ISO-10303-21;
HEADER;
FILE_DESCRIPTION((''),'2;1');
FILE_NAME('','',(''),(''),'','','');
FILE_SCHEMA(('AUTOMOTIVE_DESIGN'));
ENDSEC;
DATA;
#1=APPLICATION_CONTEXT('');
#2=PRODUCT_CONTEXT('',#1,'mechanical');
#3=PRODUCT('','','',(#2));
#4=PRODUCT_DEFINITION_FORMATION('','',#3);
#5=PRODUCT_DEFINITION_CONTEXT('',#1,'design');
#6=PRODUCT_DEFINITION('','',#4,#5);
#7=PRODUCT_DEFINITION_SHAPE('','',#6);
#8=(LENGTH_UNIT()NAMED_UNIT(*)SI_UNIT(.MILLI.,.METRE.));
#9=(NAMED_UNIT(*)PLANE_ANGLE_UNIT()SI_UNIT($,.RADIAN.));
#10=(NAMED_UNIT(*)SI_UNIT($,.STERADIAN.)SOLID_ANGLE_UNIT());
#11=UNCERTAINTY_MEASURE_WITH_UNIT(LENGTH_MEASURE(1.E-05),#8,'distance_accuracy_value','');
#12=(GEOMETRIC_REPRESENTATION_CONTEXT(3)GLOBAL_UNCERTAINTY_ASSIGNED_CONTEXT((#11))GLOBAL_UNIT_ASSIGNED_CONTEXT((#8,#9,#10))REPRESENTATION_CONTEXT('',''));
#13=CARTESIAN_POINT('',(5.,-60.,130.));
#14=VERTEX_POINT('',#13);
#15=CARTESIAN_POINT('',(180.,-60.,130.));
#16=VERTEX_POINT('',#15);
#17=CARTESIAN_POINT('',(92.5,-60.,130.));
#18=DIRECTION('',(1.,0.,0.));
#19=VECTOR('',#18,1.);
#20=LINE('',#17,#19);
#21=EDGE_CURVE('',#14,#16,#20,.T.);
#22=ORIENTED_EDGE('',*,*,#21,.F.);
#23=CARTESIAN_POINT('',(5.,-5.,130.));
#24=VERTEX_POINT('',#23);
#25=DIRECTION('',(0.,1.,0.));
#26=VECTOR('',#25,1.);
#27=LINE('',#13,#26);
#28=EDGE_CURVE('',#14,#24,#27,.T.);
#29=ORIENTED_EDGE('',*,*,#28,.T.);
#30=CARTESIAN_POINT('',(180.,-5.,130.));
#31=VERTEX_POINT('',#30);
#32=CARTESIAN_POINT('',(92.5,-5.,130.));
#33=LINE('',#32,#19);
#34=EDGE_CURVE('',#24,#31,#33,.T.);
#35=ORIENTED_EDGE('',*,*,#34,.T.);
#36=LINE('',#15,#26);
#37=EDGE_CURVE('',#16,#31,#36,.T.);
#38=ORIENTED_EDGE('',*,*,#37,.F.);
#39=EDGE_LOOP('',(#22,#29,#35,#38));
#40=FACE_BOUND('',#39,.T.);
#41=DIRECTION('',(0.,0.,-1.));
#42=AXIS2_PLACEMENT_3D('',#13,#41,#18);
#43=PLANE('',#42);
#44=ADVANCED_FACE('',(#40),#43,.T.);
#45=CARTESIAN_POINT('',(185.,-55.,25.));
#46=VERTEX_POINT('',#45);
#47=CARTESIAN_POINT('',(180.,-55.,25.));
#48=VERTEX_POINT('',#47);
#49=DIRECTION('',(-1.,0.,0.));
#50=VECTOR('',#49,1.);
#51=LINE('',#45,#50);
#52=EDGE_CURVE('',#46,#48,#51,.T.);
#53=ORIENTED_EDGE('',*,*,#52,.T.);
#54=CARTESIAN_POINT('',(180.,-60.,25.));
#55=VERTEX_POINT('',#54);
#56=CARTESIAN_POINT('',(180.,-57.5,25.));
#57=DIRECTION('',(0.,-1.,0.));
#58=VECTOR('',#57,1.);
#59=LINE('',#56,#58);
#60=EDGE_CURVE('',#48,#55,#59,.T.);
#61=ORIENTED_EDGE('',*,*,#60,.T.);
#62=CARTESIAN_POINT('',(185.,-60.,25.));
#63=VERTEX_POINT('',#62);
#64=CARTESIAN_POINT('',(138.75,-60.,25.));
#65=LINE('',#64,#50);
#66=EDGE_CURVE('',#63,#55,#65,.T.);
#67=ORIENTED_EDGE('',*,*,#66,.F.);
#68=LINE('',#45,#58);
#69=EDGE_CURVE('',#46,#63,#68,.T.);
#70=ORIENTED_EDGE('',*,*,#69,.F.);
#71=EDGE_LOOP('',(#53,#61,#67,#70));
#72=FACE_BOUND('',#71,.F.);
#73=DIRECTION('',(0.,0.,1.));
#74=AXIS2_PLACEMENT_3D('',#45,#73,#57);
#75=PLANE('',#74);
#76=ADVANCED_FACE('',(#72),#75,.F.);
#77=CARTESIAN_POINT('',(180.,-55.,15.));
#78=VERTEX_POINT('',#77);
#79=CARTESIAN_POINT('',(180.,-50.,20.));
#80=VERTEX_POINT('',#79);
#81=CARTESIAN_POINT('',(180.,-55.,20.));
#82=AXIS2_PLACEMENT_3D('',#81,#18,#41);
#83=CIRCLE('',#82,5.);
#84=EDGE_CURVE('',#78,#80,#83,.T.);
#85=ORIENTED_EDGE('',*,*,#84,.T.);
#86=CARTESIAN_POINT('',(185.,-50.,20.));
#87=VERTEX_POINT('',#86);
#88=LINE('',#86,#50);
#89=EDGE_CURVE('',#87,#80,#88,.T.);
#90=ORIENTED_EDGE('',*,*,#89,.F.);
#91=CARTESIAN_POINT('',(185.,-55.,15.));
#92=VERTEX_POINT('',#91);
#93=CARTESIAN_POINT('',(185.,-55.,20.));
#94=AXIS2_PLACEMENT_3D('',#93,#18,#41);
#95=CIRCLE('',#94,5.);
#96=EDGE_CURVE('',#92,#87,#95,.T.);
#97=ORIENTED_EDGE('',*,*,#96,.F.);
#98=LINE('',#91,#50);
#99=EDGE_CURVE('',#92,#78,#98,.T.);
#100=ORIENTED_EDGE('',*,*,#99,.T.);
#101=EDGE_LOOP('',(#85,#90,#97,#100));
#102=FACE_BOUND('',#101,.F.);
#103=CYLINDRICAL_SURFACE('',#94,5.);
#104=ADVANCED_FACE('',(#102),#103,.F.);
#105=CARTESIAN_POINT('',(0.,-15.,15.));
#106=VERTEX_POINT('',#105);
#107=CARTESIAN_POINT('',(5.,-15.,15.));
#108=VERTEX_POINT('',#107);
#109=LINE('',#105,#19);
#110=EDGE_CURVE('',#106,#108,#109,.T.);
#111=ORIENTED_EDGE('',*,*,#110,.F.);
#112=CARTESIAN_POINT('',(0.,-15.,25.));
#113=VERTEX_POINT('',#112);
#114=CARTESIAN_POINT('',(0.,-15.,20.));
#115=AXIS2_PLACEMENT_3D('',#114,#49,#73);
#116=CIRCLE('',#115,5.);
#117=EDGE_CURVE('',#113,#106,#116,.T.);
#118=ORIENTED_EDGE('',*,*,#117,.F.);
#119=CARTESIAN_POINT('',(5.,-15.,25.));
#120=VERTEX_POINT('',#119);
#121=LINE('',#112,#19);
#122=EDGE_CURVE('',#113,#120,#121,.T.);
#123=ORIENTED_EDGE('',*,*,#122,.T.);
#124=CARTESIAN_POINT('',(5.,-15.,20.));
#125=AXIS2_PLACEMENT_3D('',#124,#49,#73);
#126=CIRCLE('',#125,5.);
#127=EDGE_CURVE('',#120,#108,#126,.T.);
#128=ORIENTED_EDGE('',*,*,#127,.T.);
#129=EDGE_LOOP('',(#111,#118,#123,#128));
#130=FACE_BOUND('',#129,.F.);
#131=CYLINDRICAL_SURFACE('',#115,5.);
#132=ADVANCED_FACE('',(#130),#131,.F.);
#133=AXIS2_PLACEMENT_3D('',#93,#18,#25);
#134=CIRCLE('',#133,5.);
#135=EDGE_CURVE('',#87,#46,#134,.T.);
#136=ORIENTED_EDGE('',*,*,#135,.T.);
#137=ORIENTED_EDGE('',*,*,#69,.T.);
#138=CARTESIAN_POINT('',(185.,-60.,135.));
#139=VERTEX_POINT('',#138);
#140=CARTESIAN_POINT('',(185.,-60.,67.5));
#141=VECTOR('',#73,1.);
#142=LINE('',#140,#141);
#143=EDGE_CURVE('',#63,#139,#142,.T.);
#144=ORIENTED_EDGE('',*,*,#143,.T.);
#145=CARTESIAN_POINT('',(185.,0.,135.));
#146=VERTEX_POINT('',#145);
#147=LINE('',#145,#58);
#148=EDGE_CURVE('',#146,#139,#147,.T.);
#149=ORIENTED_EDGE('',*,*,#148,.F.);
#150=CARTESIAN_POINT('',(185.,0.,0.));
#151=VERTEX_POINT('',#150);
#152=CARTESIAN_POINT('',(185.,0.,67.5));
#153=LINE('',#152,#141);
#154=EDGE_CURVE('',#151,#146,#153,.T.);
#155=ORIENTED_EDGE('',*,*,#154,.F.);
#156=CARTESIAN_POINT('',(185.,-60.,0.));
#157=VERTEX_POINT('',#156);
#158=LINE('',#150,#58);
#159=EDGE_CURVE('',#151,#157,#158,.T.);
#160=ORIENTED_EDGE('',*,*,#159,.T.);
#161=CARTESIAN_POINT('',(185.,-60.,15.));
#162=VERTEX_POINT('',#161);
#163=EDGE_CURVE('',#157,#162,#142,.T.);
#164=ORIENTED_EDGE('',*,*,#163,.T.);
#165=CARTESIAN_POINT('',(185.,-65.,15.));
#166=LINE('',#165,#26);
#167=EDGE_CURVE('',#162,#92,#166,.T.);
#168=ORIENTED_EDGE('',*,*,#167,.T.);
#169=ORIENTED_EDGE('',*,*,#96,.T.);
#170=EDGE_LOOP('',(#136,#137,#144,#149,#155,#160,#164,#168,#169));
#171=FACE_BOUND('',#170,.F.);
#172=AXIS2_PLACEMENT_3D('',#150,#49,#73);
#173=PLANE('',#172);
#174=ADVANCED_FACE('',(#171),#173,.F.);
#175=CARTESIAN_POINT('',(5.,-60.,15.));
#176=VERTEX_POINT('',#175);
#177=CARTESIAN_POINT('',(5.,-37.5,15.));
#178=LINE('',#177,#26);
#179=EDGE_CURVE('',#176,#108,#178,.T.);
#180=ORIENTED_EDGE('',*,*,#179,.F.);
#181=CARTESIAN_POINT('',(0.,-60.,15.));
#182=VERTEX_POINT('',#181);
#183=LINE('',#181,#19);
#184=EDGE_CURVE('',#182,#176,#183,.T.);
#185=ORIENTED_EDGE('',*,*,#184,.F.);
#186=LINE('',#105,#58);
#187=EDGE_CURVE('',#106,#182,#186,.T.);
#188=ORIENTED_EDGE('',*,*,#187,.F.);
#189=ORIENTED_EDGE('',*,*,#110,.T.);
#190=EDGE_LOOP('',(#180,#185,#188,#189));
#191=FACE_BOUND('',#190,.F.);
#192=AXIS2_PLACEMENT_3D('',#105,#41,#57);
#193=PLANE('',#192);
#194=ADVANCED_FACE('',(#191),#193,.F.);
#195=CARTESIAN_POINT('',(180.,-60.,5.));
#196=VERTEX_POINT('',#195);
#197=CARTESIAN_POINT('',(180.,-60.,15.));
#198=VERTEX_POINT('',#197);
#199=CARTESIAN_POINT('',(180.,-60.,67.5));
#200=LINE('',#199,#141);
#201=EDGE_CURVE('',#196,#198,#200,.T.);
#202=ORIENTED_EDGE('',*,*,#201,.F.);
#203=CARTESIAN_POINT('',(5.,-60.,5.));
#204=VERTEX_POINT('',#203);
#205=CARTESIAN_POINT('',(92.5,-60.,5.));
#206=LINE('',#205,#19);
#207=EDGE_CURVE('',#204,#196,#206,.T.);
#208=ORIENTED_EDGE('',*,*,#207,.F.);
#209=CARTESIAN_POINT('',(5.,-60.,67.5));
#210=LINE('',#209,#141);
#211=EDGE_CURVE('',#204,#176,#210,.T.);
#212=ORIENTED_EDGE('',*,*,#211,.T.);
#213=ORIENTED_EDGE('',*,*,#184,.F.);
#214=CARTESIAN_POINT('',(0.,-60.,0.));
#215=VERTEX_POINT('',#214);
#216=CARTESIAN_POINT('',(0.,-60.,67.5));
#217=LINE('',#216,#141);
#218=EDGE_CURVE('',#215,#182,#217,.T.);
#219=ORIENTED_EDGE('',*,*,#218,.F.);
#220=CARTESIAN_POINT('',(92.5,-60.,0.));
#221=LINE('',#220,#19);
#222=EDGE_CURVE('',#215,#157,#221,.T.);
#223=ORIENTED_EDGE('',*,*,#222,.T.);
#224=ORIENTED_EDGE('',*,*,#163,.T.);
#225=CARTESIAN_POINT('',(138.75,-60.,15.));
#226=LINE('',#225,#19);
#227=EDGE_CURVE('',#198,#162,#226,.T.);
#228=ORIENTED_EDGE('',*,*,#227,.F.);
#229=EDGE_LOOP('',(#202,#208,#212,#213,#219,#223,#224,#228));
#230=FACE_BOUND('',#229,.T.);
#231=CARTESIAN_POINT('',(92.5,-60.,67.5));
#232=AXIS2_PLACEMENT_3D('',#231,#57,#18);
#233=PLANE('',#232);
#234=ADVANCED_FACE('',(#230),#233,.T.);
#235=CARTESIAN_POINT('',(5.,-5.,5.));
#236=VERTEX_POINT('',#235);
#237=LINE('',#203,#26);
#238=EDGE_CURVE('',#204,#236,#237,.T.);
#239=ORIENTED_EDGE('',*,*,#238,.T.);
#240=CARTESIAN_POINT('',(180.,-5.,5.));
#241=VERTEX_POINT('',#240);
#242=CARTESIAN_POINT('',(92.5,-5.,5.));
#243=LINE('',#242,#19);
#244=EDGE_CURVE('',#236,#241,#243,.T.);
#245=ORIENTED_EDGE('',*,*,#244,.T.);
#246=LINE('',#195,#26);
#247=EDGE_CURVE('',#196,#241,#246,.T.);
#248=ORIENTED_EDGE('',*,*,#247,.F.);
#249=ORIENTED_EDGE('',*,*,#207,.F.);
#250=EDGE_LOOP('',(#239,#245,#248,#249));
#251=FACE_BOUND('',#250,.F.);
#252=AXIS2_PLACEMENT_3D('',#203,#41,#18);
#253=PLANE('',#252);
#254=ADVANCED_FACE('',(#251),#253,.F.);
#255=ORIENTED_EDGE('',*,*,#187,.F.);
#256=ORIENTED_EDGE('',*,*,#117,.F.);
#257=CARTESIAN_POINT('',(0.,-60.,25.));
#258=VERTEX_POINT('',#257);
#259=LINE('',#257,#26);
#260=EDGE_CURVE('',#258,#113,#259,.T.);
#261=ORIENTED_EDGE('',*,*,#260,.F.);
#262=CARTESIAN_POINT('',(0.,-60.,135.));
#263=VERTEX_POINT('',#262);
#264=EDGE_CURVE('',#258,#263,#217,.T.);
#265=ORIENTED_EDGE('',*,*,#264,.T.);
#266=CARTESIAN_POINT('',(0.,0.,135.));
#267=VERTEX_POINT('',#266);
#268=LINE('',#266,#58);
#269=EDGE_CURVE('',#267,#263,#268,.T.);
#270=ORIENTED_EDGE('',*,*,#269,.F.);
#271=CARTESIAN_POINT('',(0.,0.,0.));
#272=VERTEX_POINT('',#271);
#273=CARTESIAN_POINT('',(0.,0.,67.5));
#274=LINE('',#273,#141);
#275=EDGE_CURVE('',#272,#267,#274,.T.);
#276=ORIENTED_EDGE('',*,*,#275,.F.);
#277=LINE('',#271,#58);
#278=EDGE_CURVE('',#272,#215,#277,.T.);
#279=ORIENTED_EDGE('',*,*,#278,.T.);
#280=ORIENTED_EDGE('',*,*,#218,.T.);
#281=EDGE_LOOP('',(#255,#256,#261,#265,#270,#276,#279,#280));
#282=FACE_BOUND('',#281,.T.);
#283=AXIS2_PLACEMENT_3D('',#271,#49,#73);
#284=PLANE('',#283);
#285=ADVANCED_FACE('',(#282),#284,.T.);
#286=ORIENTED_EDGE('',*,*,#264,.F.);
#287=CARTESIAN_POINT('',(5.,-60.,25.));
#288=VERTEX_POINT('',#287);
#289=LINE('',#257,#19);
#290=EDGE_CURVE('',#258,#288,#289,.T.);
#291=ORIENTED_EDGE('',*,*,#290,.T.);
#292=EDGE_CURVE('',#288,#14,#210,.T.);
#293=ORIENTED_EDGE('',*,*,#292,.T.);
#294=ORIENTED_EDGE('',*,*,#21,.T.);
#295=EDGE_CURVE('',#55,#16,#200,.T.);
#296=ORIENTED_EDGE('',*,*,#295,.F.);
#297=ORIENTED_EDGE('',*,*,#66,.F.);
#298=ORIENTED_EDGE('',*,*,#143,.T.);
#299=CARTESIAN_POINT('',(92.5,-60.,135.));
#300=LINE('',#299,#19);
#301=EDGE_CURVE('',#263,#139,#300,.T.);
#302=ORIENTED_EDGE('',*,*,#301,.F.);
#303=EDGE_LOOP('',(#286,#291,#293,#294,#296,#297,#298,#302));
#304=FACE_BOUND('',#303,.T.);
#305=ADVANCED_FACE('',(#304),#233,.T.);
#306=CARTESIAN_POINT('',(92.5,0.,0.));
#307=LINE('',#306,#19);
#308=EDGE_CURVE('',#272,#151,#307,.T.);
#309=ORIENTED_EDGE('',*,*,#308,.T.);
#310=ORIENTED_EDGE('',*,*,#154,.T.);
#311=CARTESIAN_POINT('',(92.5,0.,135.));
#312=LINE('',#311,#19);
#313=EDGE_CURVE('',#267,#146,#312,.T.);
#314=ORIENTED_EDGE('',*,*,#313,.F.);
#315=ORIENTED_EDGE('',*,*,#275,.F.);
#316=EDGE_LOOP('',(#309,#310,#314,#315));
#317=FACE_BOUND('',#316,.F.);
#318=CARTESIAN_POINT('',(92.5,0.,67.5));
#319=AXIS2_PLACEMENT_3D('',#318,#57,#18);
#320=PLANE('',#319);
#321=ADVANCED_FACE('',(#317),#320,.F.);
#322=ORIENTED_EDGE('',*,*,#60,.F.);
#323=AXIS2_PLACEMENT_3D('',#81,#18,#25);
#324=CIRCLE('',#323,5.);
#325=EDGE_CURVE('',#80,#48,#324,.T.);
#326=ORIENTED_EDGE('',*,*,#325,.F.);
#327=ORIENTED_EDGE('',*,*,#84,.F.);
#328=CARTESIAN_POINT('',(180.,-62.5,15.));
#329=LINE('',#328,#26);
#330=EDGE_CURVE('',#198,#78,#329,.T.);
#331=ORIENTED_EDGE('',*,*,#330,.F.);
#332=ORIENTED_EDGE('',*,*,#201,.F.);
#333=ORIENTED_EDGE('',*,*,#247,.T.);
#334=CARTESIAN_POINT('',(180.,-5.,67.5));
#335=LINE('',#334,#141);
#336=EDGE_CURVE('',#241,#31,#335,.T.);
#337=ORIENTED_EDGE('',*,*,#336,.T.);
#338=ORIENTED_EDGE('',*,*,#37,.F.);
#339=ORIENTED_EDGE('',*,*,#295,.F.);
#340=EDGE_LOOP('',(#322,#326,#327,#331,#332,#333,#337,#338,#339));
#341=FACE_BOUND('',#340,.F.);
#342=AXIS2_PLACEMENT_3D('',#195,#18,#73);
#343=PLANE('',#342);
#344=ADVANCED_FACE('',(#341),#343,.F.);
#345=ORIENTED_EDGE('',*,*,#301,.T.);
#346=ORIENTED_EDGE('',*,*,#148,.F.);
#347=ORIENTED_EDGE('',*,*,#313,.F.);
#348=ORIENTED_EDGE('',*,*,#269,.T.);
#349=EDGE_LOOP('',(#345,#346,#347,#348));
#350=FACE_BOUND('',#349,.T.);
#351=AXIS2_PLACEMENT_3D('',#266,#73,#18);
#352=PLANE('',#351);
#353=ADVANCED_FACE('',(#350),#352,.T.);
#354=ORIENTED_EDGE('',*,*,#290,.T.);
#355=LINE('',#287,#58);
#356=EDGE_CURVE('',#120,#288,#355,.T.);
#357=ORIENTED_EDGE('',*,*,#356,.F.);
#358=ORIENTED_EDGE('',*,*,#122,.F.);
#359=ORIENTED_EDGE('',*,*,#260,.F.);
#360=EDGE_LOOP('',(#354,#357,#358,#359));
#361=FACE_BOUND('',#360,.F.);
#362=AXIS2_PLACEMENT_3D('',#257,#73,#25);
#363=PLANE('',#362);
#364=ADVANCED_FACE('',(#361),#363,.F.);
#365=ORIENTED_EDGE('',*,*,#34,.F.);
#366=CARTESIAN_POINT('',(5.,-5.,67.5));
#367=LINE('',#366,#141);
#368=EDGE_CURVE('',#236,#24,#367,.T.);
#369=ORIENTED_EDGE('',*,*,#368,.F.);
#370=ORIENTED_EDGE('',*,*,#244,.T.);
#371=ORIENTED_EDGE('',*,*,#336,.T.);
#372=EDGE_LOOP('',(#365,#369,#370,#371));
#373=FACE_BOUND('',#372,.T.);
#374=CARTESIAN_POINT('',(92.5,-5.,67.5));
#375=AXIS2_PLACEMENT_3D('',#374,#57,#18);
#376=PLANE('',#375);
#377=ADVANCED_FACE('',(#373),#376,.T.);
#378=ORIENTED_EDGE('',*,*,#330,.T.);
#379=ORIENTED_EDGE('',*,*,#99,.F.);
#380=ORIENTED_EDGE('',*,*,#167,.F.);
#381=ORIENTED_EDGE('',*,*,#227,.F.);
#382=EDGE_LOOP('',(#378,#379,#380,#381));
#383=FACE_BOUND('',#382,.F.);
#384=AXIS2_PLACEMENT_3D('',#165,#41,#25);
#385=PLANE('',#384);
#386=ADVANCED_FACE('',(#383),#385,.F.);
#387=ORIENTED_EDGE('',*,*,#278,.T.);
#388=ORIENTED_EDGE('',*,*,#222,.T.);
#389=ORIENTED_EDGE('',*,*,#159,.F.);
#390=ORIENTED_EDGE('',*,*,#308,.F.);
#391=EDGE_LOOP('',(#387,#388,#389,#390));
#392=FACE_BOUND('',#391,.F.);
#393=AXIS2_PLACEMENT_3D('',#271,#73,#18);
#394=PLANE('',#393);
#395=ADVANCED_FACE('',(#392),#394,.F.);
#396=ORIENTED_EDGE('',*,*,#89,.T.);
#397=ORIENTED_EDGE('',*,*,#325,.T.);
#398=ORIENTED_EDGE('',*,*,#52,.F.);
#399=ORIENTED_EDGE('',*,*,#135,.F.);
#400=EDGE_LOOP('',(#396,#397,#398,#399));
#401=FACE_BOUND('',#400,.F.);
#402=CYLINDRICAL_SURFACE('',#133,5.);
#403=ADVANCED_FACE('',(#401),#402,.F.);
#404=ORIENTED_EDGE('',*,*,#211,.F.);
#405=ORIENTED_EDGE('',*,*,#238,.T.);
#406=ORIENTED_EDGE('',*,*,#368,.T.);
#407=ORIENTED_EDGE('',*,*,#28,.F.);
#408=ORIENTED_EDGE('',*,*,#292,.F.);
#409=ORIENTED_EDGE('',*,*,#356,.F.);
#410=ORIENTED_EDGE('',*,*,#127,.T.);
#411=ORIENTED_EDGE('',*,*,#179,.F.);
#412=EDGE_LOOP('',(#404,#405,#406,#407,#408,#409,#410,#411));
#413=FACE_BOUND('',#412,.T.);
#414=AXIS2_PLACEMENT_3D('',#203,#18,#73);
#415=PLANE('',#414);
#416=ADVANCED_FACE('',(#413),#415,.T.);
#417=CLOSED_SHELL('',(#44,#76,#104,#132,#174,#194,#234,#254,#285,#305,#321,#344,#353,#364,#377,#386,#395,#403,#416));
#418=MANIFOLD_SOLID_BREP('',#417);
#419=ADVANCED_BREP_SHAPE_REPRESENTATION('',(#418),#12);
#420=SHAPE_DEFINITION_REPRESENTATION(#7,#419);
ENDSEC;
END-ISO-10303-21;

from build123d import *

# Parameters (mm, degrees)
F0_W     = 185
F0_H     = 135
F1_DEPTH = 60
F2_W     = 175
F2_H     = 125
F3_DEPTH = 55
F5_DEPTH = 25
F7_DEPTH = 25


with BuildPart() as f1:
    # F0 (on Front) → F1 (new body)
    with BuildSketch(Plane.XZ):
        with Locations((92.5, 67.5)):
            Rectangle(F0_W, F0_H)
    extrude(amount=F1_DEPTH)

    # F2 (on face) → F3 (cut)
    with BuildSketch(Plane.XZ.offset(60)):
        with Locations((92.5, 67.5)):
            Rectangle(F2_W, F2_H)
    extrude(amount=-F3_DEPTH, mode=Mode.SUBTRACT)

    # F4 (on face) → F5 (cut)
    with BuildSketch(Plane.YZ.offset(185)):
        with BuildLine():
            ThreePointArc((-55, 15), (-51.4644660941, 16.4644660941), (-50, 20))
            ThreePointArc((-50, 20), (-51.4644660941, 23.5355339059), (-55, 25))
            Line((-55, 25), (-55, 15))
        make_face()
        with BuildLine():
            Line((-55, 15), (-55, 25))
            ThreePointArc((-55, 25), (-60, 20), (-55, 15))
        make_face()
        with BuildLine():
            ThreePointArc((-55, 15), (-60, 20), (-55, 25))
            Line((-55, 25), (-65, 25))
            Line((-65, 25), (-65, 15))
            Line((-65, 15), (-55, 15))
        make_face()
    extrude(amount=-F5_DEPTH, mode=Mode.SUBTRACT)

    # F6 (on face) → F7 (cut)
    with BuildSketch(Plane(origin=(0, 0, 0), x_dir=(0, -1, 0), z_dir=(-1, 0, 0))):
        with BuildLine():
            Line((60, 15), (60, 25))
            Line((60, 25), (15, 25))
            ThreePointArc((15, 25), (18.5355339059, 23.5355339059), (20, 20))
            ThreePointArc((20, 20), (18.5355339059, 16.4644660941), (15, 15))
            Line((15, 15), (60, 15))
        make_face()
        with BuildLine():
            ThreePointArc((20, 20), (18.5355339059, 23.5355339059), (15, 25))
            Line((15, 25), (15, 15))
            ThreePointArc((15, 15), (18.5355339059, 16.4644660941), (20, 20))
        make_face()
        with BuildLine():
            Line((15, 15), (15, 25))
            ThreePointArc((15, 25), (10, 20), (15, 15))
        make_face()
    extrude(amount=-F7_DEPTH, mode=Mode.SUBTRACT)


solid = f1.part
